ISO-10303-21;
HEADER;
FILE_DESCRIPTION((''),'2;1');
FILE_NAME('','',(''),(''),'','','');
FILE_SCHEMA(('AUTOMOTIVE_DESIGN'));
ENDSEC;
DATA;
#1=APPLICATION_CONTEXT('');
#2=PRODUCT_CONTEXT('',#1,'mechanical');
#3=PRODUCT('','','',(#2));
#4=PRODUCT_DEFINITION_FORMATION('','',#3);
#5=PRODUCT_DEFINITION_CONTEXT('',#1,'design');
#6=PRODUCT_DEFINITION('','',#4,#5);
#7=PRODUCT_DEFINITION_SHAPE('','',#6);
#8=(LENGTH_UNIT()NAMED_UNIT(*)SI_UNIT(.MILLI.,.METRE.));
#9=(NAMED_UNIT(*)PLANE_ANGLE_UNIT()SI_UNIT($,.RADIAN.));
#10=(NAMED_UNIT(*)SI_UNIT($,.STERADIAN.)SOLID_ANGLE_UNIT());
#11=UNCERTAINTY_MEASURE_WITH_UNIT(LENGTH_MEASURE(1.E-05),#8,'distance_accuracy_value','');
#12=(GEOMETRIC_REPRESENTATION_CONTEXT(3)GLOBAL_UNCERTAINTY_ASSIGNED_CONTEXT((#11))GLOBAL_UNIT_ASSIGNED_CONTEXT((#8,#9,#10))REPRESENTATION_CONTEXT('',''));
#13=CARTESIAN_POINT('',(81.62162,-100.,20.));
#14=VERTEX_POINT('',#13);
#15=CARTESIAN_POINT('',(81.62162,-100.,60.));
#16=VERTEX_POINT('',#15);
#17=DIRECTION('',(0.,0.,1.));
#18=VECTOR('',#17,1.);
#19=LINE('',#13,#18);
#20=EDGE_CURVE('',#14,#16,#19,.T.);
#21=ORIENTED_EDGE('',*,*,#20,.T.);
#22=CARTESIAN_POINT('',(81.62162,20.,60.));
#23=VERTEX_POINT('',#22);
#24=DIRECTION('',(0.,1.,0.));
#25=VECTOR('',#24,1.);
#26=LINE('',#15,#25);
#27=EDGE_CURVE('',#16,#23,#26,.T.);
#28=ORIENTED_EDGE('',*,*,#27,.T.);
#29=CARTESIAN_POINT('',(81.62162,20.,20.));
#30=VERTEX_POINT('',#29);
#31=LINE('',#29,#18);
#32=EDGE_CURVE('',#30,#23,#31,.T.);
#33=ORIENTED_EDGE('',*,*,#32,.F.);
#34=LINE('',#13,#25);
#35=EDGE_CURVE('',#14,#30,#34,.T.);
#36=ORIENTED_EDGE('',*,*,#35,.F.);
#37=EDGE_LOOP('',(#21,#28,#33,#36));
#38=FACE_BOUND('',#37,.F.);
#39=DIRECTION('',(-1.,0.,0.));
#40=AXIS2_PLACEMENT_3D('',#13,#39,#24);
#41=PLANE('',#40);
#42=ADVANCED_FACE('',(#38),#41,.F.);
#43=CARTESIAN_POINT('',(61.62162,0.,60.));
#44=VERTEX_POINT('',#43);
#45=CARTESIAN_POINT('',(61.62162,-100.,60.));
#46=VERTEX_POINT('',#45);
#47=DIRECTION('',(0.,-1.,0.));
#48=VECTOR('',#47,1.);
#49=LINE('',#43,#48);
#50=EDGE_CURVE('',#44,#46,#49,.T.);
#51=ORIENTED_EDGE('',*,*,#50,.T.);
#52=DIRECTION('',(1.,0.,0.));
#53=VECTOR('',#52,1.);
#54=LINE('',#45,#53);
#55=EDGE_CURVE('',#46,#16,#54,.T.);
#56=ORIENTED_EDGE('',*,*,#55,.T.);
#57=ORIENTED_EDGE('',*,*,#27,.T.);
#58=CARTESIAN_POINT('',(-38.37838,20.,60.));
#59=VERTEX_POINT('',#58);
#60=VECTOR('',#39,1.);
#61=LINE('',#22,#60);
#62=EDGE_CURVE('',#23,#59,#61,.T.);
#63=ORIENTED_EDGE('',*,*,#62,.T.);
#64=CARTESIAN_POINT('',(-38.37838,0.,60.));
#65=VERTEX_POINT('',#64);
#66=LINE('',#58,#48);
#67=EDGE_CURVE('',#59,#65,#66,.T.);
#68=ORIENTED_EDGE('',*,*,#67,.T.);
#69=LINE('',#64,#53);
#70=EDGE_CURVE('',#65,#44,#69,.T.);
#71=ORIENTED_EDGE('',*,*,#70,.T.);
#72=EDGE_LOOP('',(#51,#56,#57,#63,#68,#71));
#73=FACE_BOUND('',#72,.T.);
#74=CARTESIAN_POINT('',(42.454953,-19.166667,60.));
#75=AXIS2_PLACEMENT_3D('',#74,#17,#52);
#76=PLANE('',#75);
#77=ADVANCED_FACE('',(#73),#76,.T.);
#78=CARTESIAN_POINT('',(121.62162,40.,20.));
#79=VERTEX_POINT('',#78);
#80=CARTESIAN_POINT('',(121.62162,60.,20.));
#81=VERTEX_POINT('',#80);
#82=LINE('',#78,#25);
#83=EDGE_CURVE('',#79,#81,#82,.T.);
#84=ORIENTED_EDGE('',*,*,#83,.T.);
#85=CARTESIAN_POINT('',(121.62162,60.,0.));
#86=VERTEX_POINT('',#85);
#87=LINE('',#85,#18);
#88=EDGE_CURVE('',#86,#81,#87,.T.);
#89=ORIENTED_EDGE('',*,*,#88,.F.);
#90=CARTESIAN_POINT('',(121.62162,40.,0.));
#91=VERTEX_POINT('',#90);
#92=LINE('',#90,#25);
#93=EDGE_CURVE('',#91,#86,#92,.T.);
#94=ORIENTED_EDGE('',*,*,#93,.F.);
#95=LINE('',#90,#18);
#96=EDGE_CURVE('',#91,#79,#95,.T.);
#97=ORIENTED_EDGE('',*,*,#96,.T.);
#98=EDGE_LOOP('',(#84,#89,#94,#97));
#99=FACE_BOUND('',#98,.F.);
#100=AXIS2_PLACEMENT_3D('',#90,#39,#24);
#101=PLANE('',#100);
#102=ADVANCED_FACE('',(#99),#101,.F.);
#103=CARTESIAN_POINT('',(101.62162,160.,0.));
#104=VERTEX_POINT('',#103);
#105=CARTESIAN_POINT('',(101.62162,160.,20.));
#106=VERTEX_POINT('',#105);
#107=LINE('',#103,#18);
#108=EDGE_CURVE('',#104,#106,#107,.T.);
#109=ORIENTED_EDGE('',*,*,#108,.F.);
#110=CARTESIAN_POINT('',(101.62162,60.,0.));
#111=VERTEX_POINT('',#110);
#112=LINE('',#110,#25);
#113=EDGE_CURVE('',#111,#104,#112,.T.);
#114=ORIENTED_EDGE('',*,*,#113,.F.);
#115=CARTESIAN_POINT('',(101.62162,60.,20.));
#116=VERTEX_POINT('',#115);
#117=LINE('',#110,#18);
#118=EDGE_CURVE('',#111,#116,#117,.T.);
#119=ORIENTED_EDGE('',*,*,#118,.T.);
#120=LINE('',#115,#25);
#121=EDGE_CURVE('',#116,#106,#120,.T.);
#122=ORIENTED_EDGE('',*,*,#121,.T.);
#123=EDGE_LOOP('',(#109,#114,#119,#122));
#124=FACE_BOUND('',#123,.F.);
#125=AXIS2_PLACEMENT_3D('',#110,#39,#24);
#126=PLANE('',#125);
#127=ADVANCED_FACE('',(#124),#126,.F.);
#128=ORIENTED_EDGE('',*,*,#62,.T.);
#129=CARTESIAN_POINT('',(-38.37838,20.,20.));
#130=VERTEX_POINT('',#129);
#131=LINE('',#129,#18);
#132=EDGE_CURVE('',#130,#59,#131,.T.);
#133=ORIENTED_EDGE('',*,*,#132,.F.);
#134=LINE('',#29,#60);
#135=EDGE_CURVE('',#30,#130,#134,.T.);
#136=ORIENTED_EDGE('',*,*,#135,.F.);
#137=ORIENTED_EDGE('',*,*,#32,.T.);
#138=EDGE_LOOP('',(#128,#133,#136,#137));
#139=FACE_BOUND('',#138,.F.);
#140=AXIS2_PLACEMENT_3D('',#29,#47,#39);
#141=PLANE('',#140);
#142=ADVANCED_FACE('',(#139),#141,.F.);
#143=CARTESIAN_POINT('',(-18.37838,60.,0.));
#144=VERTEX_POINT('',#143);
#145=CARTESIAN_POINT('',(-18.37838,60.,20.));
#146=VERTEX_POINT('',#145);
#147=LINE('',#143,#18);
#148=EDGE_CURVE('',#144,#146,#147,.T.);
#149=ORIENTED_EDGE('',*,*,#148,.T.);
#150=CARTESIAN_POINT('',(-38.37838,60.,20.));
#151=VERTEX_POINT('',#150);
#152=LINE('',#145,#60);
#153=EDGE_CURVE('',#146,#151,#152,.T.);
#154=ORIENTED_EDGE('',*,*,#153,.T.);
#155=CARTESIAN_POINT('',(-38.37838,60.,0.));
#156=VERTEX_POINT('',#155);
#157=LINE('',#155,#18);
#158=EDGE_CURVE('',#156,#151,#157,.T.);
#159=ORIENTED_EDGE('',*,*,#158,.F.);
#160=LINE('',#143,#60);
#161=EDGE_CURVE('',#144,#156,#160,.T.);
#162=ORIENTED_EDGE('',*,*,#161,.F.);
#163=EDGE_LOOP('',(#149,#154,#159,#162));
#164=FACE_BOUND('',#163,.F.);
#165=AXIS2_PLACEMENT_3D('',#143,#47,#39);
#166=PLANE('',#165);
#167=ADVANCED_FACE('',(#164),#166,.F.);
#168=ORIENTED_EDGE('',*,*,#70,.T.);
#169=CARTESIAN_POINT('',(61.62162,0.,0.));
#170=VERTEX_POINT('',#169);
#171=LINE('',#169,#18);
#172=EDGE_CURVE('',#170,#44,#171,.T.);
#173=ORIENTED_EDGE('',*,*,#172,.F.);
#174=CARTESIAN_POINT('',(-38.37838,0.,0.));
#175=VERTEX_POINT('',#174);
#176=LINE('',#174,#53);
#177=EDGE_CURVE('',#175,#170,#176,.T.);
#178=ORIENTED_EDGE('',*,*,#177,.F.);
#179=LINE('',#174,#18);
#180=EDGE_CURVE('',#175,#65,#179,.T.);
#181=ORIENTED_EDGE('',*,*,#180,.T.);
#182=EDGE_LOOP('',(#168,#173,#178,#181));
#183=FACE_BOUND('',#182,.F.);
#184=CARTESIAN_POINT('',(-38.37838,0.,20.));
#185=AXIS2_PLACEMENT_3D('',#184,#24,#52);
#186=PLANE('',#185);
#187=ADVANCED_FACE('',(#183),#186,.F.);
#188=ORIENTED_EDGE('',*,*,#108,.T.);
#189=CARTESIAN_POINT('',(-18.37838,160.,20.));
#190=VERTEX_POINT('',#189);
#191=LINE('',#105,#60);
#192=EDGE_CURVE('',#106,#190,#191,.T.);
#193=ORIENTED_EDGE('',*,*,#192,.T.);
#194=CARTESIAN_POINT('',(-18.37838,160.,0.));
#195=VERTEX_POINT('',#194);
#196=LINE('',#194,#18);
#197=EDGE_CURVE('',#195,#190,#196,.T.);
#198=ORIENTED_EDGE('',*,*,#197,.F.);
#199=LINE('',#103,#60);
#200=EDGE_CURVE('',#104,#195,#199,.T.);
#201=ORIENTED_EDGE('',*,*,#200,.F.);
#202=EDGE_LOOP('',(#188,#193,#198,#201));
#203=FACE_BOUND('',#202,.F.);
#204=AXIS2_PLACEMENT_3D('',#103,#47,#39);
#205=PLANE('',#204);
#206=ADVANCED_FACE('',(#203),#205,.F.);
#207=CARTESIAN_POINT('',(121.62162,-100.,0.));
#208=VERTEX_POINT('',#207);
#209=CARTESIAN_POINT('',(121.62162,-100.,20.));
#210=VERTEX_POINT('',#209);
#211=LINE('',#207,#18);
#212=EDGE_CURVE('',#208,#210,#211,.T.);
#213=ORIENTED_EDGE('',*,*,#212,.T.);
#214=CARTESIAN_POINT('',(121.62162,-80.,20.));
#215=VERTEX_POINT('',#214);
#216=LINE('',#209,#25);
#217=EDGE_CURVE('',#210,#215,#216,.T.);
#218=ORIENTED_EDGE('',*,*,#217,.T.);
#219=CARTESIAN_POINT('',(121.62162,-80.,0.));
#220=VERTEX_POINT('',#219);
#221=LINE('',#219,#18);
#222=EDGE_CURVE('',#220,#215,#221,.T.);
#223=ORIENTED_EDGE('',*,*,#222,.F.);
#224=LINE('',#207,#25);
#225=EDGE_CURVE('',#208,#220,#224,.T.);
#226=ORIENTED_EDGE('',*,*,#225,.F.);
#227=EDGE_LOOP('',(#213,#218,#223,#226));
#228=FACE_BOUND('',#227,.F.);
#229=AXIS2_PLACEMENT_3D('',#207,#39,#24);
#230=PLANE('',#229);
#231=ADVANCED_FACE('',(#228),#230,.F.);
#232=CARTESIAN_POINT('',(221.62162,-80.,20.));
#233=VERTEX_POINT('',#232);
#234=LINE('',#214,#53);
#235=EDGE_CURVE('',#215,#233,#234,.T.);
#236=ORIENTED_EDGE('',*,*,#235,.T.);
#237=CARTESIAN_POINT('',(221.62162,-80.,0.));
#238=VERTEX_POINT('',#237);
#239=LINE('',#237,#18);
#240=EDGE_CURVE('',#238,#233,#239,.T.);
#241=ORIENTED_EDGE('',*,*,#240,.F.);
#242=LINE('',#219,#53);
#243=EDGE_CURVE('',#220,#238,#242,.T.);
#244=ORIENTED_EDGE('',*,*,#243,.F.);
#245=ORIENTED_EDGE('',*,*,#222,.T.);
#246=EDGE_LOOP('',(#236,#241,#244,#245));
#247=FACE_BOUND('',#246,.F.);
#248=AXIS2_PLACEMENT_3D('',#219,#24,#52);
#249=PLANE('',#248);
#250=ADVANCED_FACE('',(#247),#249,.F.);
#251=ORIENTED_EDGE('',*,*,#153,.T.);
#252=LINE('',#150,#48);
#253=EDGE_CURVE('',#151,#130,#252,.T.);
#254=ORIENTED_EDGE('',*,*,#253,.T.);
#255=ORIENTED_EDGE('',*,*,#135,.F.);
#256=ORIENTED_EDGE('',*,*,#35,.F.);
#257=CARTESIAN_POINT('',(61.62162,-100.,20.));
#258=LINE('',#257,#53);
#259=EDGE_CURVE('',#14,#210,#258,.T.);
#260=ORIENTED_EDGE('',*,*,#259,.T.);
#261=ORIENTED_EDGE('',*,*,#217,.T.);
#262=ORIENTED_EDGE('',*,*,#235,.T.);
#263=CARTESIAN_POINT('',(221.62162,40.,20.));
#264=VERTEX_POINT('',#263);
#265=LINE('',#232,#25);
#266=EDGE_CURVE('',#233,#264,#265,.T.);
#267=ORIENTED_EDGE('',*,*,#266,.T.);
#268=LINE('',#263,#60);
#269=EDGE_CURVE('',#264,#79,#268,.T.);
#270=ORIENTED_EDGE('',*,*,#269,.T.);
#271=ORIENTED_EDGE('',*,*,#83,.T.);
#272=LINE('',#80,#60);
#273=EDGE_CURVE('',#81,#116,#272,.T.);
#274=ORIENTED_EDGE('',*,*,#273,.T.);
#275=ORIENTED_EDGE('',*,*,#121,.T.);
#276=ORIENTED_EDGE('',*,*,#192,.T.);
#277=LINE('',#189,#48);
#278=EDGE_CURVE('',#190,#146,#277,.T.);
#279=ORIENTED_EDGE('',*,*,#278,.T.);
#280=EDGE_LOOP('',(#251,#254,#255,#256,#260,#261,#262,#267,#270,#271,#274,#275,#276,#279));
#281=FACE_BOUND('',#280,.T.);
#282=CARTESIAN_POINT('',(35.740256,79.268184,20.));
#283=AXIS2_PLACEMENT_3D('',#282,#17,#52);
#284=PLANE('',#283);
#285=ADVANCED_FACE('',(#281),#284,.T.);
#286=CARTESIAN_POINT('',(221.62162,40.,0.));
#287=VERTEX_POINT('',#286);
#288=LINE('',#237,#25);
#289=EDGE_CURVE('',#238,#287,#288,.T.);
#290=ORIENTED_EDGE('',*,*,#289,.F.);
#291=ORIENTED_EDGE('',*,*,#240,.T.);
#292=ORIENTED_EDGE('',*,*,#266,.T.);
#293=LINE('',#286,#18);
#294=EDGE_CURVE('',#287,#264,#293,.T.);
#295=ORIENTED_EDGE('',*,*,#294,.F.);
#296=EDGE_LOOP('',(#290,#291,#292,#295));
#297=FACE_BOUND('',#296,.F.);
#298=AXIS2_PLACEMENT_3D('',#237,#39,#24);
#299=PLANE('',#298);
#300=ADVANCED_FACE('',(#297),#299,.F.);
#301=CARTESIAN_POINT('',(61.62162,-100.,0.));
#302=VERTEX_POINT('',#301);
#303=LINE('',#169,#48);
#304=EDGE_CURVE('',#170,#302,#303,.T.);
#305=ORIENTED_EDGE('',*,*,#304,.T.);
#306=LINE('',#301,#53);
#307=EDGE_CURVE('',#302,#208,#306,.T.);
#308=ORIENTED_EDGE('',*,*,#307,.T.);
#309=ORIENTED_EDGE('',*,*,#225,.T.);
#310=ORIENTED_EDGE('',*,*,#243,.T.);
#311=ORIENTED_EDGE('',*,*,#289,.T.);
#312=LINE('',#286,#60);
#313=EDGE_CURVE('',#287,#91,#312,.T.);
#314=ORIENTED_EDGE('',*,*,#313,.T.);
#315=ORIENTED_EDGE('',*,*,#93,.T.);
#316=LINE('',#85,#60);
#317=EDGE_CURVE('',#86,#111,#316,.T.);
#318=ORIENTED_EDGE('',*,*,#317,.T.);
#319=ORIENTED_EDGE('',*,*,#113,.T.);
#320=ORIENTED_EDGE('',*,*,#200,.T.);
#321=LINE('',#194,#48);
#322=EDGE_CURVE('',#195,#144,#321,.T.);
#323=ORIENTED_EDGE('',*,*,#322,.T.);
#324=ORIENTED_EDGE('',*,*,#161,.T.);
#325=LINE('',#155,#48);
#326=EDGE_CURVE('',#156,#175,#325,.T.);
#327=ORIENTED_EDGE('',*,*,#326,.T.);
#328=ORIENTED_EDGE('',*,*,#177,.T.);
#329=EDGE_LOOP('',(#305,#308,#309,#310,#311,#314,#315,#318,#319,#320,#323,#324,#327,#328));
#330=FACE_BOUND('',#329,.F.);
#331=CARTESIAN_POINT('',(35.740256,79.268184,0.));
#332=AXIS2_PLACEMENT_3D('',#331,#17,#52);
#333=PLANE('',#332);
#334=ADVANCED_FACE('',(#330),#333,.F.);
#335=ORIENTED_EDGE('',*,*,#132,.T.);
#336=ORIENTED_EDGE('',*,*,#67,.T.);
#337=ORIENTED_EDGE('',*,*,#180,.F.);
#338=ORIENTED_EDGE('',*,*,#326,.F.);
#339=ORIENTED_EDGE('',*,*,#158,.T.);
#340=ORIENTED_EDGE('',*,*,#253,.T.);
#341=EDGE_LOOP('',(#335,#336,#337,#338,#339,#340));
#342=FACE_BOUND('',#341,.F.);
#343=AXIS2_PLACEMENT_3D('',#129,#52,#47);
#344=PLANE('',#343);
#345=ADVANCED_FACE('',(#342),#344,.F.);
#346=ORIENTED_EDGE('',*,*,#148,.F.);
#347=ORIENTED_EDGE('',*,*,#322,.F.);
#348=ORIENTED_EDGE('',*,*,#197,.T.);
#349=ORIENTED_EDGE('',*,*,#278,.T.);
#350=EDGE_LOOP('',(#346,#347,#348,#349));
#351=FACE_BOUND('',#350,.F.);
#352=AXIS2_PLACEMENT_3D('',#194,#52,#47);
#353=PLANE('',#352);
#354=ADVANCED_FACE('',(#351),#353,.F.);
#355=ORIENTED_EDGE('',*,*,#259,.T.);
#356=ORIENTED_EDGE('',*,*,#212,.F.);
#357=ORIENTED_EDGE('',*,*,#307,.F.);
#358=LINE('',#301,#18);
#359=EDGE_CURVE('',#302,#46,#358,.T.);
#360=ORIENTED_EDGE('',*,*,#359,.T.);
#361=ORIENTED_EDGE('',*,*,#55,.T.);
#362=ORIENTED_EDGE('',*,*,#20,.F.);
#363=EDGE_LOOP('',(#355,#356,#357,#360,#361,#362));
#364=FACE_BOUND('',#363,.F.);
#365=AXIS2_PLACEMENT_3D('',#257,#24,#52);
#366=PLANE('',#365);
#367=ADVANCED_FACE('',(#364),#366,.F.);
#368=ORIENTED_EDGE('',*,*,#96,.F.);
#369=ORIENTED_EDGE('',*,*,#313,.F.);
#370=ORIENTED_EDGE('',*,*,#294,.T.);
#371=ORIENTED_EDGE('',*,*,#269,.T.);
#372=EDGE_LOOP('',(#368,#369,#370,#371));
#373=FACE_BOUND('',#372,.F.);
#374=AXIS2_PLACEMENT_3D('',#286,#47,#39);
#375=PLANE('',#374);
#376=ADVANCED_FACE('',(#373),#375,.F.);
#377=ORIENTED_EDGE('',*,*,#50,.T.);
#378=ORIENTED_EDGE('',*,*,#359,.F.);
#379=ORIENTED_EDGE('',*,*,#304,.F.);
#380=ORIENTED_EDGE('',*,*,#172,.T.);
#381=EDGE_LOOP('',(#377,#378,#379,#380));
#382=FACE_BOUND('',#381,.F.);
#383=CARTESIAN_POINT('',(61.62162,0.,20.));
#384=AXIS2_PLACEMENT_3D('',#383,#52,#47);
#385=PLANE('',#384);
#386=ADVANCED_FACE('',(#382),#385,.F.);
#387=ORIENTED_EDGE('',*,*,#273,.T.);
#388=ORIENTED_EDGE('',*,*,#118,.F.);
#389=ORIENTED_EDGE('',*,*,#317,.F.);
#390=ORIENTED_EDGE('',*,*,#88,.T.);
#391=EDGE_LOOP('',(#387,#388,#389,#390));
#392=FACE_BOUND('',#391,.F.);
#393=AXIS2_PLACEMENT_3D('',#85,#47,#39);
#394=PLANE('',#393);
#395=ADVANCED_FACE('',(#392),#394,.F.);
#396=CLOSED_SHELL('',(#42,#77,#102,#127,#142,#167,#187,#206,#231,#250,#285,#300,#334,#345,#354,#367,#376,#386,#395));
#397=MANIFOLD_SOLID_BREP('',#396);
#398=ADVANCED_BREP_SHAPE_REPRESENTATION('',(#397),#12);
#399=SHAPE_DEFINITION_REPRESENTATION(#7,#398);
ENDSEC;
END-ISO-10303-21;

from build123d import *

# Parameters (mm, degrees)
F1_DEPTH = 20
F3_DEPTH = 40


with BuildPart() as f1:
    # F0 (on Top) → F1 (new body)
    with BuildSketch(Plane.XY):
        Polygon((-38.37838, 60), (-38.37838, 0), (61.62162, 0), (121.62162, 60), (101.62162, 60), (101.62162, 160), (-18.37838, 160), (-18.37838, 60), align=None)
        Polygon((121.62162, 60), (61.62162, 0), (61.62162, -100), (121.62162, -100), (121.62162, -80), (221.62162, -80), (221.62162, 40), (121.62162, 40), align=None)
    extrude(amount=F1_DEPTH)

    # F2 (on face) → F3 (join)
    with BuildSketch(Plane.XY.offset(20)):
        Polygon((-38.37838, 20), (-38.37838, 0), (61.62162, 0), (61.62162, -100), (81.62162, -100), (81.62162, 0), (81.62162, 20), align=None)
    extrude(amount=F3_DEPTH)


solid = f1.part
